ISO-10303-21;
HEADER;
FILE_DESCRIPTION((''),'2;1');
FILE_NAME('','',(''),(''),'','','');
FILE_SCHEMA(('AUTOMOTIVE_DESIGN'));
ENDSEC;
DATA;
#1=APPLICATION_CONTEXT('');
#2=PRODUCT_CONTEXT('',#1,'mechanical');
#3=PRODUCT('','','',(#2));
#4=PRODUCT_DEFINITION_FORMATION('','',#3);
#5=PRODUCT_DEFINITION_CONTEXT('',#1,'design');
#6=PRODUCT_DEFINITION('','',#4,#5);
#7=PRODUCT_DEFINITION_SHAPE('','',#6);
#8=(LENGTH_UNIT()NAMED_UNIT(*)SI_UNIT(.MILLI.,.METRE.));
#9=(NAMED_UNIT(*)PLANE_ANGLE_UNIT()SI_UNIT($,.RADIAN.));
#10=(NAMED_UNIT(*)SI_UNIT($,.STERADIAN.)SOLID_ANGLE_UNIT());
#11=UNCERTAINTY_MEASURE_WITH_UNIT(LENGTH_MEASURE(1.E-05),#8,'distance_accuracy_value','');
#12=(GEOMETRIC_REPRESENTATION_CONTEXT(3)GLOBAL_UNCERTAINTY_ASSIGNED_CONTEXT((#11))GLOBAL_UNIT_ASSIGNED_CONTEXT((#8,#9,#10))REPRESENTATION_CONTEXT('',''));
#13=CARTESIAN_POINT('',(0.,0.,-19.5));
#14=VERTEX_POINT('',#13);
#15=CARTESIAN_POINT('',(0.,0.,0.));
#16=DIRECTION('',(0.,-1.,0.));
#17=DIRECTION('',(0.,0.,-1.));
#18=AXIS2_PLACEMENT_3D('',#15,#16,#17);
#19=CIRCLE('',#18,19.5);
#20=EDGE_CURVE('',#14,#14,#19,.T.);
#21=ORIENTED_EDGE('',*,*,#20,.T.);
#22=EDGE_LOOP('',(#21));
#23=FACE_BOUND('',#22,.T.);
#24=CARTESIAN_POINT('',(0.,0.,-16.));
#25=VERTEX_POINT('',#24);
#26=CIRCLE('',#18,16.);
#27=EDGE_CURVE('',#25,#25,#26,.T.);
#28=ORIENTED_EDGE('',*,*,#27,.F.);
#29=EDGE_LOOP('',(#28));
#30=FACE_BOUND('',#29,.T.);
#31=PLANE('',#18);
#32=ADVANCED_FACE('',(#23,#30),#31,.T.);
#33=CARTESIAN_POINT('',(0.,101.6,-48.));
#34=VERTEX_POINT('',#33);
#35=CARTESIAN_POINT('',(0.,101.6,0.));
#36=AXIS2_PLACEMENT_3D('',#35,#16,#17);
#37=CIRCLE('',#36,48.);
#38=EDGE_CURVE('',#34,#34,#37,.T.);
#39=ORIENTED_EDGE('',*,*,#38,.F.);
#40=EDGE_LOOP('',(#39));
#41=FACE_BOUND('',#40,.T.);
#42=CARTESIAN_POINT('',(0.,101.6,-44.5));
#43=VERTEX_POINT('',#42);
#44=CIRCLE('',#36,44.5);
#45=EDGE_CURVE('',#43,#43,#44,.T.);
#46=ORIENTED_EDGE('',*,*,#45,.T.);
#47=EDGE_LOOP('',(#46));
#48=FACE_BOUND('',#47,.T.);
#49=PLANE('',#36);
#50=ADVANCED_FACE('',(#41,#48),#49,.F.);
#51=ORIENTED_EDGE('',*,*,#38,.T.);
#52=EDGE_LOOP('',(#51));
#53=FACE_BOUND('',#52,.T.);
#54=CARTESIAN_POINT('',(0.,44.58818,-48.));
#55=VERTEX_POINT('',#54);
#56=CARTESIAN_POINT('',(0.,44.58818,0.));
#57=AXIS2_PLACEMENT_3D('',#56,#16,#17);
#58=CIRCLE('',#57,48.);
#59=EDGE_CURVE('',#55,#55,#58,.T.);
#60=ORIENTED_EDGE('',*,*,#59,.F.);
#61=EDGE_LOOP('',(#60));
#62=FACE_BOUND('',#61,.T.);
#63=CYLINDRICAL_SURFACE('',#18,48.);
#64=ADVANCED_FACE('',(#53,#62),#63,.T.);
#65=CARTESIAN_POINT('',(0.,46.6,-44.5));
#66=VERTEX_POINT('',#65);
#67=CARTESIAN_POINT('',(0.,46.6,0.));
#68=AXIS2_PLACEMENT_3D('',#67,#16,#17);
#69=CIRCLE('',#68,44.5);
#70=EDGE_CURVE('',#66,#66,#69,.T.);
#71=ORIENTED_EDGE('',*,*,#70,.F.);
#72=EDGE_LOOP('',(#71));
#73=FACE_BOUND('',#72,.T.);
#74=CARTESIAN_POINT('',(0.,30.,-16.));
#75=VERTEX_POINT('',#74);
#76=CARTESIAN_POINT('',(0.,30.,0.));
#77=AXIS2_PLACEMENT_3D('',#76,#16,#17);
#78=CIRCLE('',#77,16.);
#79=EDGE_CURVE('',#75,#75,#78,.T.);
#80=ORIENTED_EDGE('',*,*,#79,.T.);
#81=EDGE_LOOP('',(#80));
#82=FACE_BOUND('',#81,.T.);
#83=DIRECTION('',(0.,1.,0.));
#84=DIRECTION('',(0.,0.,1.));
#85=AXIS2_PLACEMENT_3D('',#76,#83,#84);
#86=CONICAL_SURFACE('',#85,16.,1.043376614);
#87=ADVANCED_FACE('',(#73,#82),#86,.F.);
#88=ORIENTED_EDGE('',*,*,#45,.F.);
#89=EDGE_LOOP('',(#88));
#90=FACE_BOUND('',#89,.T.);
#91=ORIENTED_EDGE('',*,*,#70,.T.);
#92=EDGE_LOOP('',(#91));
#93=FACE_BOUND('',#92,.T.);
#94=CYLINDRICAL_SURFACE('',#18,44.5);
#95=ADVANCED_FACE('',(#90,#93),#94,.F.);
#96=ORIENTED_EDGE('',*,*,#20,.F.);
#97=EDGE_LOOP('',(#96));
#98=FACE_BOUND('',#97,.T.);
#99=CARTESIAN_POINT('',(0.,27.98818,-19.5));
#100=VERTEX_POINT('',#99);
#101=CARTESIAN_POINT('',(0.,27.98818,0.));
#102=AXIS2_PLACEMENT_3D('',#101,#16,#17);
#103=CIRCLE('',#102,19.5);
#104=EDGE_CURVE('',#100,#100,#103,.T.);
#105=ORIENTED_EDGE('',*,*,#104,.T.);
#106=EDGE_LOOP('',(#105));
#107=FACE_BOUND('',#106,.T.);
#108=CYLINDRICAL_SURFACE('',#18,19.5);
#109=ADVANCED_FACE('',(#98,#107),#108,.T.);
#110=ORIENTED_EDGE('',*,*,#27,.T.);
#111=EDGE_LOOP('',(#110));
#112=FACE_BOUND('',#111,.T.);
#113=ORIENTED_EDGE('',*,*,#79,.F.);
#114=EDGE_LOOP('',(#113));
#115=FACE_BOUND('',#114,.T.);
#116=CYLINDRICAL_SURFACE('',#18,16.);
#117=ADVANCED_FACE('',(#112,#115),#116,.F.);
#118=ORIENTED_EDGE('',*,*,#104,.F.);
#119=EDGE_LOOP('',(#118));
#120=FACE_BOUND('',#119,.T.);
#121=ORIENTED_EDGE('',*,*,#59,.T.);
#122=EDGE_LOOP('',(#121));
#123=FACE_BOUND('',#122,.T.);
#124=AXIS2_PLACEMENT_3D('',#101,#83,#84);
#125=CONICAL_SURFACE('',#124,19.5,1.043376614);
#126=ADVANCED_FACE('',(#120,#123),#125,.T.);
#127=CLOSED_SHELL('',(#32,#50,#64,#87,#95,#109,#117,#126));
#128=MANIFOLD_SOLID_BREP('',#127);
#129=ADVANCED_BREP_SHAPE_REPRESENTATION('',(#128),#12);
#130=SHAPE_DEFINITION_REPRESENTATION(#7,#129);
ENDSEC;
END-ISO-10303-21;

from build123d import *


with BuildPart() as part:
    # Sketch2 → Revolve1 (revolve)
    with BuildSketch(Plane.XY):
        Polygon((16, 30), (16, 0), (19.5, 0), (19.5, 27.988179765), (48, 44.588179765), (48, 101.6), (44.5, 101.6), (44.5, 46.6), align=None)
    revolve(axis=Axis((0, 0, 0), (0, 1, 0)))


solid = part.part
